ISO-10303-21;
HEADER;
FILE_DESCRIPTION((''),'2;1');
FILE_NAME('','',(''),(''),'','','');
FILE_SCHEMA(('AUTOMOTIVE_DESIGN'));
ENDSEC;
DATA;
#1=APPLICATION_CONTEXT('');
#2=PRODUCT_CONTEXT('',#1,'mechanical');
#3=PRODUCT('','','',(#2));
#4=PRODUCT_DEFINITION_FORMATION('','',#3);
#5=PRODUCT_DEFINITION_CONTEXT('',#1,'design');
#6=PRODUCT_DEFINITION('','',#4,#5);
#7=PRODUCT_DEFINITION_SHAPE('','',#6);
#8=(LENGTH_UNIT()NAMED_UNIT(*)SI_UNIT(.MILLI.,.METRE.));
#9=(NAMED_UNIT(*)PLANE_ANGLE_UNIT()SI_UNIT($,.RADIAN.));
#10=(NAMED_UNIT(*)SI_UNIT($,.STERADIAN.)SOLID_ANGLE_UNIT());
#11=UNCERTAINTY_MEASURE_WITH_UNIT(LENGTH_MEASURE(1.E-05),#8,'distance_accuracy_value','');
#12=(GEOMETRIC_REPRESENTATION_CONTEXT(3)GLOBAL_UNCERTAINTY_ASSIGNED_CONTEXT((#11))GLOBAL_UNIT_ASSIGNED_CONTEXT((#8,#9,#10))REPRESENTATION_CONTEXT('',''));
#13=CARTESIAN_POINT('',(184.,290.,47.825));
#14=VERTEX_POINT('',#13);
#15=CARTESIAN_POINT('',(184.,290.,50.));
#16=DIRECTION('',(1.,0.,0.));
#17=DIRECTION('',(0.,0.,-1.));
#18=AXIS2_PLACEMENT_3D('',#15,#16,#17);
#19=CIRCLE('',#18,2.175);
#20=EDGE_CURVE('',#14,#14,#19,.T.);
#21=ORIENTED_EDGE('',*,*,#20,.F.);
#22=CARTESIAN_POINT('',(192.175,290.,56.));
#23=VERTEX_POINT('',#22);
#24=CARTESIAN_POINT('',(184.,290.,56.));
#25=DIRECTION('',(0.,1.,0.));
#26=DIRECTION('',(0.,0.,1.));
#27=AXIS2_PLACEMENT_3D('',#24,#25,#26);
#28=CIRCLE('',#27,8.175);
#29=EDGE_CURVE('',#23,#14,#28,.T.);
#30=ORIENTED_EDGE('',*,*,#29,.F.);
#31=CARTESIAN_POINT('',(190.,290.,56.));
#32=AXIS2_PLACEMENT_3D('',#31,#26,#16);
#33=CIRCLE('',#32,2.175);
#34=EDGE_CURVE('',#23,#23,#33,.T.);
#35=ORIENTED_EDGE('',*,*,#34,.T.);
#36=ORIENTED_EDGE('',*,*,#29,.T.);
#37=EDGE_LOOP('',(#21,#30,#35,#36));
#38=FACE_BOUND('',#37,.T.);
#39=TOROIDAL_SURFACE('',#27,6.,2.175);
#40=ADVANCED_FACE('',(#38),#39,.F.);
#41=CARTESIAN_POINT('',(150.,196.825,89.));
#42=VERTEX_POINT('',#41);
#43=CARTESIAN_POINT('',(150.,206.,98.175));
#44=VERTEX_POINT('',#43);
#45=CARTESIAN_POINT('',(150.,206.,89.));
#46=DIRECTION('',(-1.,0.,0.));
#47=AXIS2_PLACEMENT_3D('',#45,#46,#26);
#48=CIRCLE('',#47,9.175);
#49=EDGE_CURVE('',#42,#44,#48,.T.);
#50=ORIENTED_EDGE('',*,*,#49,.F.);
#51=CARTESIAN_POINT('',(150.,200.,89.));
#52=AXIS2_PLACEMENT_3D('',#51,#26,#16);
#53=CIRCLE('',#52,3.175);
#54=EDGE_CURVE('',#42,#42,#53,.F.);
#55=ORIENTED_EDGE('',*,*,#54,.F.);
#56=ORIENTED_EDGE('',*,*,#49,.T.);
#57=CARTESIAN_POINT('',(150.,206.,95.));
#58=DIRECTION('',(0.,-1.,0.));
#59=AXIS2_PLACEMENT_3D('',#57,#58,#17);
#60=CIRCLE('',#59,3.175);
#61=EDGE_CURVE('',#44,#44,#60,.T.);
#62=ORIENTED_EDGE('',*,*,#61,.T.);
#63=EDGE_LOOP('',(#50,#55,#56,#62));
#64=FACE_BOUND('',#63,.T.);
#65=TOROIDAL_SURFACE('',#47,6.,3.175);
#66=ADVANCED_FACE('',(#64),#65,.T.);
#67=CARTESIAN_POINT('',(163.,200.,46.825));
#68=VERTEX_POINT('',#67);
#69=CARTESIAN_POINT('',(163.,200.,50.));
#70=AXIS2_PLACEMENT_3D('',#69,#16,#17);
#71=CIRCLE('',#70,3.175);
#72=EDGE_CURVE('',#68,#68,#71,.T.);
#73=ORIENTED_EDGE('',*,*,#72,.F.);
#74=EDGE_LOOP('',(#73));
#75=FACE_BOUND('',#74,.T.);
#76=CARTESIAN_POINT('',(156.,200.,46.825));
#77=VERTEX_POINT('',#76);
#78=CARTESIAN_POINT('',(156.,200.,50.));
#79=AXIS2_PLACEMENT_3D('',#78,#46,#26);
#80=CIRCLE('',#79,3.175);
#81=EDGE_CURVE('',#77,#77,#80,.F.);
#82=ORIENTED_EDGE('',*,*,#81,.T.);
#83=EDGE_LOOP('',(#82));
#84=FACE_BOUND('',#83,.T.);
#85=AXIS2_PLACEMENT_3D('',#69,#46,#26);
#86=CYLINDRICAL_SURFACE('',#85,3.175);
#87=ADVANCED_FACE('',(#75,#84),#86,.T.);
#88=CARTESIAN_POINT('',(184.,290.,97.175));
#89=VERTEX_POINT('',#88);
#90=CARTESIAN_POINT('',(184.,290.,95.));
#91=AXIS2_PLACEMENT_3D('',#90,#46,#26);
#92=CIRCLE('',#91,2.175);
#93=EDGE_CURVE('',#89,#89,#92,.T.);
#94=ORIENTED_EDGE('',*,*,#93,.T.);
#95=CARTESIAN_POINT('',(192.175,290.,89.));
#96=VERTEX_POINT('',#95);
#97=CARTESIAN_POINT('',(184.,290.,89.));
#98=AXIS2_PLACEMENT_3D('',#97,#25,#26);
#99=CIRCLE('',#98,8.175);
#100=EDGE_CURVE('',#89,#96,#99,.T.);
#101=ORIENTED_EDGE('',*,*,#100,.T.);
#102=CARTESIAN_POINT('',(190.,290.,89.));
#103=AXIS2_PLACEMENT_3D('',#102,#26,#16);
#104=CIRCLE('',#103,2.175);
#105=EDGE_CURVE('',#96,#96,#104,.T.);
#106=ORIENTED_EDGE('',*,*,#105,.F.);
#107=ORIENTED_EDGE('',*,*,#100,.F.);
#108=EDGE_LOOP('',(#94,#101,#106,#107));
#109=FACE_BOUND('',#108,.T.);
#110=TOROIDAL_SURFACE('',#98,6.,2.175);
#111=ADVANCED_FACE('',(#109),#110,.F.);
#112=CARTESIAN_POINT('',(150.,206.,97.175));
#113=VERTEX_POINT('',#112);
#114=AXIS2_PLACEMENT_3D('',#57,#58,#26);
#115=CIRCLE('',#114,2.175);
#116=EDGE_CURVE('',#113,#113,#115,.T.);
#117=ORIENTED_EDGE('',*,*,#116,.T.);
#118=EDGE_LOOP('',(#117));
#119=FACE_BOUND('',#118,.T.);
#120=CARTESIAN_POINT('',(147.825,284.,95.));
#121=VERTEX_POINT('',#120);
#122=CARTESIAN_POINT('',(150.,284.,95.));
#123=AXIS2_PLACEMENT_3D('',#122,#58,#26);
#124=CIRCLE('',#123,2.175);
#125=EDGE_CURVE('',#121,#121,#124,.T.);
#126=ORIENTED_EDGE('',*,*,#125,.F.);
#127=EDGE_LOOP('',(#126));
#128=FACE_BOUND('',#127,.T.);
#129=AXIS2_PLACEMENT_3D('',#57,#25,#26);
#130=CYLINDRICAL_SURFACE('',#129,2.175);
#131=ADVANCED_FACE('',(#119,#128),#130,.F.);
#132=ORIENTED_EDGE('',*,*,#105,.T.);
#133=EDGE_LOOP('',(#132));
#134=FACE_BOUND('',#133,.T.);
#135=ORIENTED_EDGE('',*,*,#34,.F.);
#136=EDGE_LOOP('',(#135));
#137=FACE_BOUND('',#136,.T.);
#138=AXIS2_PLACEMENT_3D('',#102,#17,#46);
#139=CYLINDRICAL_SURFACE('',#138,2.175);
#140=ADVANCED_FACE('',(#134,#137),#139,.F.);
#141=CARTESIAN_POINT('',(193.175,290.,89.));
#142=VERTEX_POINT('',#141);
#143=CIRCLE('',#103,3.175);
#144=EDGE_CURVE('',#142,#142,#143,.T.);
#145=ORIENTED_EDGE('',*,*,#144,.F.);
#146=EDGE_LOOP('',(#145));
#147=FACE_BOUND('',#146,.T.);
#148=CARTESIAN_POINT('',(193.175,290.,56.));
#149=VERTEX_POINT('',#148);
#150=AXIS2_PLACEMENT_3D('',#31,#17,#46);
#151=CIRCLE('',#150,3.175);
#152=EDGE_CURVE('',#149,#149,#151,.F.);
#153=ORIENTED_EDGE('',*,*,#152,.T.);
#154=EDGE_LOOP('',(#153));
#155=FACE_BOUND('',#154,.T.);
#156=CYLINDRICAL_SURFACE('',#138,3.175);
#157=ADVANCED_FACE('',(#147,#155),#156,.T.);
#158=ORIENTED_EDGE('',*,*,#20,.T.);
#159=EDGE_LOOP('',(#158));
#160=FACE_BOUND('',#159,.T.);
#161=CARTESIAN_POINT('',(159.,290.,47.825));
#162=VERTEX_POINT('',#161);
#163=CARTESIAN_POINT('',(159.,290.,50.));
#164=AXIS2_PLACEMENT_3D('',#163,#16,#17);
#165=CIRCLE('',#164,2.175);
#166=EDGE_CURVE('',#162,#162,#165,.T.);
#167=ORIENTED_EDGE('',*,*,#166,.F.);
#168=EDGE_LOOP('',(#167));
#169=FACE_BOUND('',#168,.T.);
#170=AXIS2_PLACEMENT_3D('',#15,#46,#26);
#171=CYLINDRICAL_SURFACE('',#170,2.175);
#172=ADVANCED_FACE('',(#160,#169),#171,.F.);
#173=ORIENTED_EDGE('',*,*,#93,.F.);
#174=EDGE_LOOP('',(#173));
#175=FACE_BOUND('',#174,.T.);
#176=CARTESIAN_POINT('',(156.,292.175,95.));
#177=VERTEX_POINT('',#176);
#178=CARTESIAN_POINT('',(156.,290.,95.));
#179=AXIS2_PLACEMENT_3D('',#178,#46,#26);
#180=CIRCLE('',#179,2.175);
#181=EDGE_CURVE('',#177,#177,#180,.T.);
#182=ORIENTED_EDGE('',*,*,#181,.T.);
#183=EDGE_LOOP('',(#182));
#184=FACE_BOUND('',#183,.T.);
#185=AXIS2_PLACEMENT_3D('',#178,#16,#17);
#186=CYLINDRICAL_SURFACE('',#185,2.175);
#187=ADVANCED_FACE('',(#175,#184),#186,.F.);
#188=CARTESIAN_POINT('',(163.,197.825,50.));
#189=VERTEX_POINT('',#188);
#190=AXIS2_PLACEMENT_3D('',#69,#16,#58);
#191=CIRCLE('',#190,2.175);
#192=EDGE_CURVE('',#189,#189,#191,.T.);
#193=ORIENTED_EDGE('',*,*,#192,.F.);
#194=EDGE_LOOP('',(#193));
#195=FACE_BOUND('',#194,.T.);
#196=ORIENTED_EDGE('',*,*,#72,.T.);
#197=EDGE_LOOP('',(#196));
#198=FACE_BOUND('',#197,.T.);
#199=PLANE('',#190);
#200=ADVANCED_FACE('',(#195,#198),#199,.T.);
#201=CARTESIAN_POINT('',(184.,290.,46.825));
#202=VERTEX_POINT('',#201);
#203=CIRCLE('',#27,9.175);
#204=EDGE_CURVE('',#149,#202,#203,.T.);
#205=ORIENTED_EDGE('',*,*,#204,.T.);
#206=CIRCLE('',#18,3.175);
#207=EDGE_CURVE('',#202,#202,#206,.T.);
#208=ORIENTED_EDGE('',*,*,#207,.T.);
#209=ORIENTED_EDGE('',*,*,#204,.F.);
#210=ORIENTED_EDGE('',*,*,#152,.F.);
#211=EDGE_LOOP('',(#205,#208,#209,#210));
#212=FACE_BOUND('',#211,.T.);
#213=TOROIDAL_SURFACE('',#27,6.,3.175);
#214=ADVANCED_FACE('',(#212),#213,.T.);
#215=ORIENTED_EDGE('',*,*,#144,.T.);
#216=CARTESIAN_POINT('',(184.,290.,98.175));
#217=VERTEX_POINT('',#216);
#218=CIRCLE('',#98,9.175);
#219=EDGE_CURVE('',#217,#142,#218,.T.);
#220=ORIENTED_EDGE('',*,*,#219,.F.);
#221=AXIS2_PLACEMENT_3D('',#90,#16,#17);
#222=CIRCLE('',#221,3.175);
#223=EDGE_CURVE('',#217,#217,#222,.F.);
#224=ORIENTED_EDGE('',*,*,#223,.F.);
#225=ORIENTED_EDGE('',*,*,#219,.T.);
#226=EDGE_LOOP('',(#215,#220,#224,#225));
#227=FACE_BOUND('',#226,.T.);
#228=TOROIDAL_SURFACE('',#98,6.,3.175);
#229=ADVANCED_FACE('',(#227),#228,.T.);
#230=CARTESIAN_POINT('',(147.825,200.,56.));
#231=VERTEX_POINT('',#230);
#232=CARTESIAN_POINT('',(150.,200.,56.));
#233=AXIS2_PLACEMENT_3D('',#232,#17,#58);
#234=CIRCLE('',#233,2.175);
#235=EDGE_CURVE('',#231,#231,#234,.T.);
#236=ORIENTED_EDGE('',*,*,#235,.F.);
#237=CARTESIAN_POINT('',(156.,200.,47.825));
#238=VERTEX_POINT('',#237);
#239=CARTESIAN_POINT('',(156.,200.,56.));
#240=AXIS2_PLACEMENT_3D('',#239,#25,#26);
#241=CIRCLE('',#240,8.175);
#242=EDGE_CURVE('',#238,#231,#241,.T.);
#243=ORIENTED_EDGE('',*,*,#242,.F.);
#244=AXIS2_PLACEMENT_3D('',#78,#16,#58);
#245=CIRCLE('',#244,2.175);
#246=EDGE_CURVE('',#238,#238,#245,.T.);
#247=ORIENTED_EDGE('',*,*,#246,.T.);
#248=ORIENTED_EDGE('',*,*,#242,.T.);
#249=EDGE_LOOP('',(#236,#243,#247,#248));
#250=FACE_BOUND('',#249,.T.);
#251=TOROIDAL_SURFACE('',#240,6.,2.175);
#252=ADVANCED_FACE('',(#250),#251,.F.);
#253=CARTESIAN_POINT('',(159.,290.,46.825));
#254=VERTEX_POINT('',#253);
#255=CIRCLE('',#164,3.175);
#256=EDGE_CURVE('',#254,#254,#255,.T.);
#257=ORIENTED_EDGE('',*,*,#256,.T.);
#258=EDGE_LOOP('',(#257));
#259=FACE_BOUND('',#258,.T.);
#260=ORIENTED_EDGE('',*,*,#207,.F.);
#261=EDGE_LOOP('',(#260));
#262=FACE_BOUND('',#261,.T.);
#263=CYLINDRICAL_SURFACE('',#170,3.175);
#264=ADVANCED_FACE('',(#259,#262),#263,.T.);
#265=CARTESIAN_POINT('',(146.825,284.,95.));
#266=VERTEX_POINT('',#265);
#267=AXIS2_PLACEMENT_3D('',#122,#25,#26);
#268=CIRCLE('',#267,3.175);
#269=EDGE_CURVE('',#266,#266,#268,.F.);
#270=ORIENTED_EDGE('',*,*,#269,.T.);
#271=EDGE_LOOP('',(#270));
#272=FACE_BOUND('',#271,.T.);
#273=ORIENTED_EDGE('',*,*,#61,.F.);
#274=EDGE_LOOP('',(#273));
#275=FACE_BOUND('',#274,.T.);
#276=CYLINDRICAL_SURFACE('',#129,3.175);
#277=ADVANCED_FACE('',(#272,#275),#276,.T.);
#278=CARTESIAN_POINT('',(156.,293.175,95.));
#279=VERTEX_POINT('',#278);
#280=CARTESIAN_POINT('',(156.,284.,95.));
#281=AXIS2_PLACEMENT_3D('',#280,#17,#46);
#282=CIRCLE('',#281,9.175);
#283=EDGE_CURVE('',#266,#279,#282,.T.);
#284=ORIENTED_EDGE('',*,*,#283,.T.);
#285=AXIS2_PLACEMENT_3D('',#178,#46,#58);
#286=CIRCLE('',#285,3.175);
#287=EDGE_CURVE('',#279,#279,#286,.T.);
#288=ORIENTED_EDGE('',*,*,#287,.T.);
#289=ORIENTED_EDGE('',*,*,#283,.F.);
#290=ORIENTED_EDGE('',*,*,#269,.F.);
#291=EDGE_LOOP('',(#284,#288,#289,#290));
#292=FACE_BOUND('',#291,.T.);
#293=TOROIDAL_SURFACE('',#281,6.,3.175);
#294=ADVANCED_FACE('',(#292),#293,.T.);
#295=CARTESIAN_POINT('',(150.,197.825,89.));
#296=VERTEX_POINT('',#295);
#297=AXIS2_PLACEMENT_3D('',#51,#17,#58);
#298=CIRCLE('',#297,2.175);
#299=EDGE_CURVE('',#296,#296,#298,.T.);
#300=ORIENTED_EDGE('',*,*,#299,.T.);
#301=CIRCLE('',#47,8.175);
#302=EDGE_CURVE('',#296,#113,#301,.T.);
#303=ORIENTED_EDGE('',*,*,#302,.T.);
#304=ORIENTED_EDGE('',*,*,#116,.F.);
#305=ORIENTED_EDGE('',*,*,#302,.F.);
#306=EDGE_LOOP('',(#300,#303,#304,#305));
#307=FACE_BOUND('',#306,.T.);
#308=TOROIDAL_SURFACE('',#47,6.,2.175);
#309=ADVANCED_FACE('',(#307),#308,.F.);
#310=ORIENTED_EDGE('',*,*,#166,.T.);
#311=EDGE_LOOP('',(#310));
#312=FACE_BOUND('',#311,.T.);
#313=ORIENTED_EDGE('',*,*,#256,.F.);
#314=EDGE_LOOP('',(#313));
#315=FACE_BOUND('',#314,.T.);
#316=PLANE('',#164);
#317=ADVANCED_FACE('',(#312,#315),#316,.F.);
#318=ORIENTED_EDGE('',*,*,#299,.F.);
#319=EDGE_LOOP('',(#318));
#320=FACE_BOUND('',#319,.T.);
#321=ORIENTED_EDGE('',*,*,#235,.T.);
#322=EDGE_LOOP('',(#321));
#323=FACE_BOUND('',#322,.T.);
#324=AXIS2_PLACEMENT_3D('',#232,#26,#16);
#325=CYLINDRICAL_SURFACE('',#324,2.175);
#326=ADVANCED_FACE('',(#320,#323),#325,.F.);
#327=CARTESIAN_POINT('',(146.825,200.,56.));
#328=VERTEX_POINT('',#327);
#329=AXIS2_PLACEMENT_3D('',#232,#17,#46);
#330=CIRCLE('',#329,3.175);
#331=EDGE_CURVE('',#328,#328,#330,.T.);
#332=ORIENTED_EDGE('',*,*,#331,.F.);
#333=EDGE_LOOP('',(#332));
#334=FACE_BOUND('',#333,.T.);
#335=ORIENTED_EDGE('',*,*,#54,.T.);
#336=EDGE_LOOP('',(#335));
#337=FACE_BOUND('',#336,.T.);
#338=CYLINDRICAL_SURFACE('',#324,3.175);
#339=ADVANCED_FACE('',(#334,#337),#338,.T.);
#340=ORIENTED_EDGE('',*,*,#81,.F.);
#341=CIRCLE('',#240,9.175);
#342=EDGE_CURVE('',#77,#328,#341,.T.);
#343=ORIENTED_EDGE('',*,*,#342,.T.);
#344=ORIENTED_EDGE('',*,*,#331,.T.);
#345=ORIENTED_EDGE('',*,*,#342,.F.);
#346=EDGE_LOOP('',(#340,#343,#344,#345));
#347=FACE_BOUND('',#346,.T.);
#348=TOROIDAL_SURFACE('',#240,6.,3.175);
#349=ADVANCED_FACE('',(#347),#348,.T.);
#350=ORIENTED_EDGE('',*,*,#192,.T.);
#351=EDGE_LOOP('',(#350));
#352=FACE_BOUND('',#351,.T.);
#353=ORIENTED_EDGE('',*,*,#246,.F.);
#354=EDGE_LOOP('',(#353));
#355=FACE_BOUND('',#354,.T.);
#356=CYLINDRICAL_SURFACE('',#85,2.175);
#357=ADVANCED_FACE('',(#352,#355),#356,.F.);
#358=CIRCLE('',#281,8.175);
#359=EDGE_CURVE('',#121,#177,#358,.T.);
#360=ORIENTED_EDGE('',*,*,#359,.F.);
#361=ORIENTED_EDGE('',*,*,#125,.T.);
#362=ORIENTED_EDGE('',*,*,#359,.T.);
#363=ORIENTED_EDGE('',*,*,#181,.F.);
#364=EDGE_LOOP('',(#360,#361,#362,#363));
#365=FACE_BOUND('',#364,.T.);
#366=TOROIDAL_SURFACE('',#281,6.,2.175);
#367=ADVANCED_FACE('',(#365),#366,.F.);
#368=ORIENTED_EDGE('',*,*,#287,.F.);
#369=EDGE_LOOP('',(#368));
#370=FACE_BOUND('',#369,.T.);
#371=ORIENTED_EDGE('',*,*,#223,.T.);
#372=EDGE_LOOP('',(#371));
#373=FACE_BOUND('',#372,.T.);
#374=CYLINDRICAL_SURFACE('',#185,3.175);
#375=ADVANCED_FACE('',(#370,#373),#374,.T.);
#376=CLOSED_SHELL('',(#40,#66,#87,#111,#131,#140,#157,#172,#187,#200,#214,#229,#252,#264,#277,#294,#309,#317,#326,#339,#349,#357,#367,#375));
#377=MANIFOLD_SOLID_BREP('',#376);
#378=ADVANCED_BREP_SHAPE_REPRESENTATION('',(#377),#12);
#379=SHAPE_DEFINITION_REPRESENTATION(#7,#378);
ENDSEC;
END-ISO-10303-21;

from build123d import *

# Parameters (mm, degrees)
TUBE_PROFILE_R   = 3.175
TUBE_PROFILE_R_2 = 2.175


with BuildPart() as part:
    # Tube: sweep along a curve in space
    with BuildLine() as tube_path:
        Line((163, 200, 50), (156, 200, 50))
        ThreePointArc((150, 200, 56), (151.757359313, 200, 51.757359313), (156, 200, 50))
        Line((150, 200, 56), (150, 200, 89))
        ThreePointArc((150, 206, 95), (150, 201.757359313, 93.242640687), (150, 200, 89))
        Line((150, 206, 95), (150, 284, 95))
        ThreePointArc((156, 290, 95), (151.757359313, 288.242640687, 95), (150, 284, 95))
        Line((156, 290, 95), (184, 290, 95))
        ThreePointArc((190, 290, 89), (188.242640687, 290, 93.242640687), (184, 290, 95))
        Line((190, 290, 89), (190, 290, 56))
        ThreePointArc((184, 290, 50), (188.242640687, 290, 51.757359313), (190, 290, 56))
        Line((184, 290, 50), (159, 290, 50))
    # Tube profile (on start of the path) → Tube (sweep)
    with BuildSketch(Plane(origin=(163, 200, 50), x_dir=(0, 0, -1), z_dir=(-1, 0, 0))):
        Circle(TUBE_PROFILE_R)
        Circle(TUBE_PROFILE_R_2, mode=Mode.SUBTRACT)
    sweep(path=tube_path.line)


solid = part.part
